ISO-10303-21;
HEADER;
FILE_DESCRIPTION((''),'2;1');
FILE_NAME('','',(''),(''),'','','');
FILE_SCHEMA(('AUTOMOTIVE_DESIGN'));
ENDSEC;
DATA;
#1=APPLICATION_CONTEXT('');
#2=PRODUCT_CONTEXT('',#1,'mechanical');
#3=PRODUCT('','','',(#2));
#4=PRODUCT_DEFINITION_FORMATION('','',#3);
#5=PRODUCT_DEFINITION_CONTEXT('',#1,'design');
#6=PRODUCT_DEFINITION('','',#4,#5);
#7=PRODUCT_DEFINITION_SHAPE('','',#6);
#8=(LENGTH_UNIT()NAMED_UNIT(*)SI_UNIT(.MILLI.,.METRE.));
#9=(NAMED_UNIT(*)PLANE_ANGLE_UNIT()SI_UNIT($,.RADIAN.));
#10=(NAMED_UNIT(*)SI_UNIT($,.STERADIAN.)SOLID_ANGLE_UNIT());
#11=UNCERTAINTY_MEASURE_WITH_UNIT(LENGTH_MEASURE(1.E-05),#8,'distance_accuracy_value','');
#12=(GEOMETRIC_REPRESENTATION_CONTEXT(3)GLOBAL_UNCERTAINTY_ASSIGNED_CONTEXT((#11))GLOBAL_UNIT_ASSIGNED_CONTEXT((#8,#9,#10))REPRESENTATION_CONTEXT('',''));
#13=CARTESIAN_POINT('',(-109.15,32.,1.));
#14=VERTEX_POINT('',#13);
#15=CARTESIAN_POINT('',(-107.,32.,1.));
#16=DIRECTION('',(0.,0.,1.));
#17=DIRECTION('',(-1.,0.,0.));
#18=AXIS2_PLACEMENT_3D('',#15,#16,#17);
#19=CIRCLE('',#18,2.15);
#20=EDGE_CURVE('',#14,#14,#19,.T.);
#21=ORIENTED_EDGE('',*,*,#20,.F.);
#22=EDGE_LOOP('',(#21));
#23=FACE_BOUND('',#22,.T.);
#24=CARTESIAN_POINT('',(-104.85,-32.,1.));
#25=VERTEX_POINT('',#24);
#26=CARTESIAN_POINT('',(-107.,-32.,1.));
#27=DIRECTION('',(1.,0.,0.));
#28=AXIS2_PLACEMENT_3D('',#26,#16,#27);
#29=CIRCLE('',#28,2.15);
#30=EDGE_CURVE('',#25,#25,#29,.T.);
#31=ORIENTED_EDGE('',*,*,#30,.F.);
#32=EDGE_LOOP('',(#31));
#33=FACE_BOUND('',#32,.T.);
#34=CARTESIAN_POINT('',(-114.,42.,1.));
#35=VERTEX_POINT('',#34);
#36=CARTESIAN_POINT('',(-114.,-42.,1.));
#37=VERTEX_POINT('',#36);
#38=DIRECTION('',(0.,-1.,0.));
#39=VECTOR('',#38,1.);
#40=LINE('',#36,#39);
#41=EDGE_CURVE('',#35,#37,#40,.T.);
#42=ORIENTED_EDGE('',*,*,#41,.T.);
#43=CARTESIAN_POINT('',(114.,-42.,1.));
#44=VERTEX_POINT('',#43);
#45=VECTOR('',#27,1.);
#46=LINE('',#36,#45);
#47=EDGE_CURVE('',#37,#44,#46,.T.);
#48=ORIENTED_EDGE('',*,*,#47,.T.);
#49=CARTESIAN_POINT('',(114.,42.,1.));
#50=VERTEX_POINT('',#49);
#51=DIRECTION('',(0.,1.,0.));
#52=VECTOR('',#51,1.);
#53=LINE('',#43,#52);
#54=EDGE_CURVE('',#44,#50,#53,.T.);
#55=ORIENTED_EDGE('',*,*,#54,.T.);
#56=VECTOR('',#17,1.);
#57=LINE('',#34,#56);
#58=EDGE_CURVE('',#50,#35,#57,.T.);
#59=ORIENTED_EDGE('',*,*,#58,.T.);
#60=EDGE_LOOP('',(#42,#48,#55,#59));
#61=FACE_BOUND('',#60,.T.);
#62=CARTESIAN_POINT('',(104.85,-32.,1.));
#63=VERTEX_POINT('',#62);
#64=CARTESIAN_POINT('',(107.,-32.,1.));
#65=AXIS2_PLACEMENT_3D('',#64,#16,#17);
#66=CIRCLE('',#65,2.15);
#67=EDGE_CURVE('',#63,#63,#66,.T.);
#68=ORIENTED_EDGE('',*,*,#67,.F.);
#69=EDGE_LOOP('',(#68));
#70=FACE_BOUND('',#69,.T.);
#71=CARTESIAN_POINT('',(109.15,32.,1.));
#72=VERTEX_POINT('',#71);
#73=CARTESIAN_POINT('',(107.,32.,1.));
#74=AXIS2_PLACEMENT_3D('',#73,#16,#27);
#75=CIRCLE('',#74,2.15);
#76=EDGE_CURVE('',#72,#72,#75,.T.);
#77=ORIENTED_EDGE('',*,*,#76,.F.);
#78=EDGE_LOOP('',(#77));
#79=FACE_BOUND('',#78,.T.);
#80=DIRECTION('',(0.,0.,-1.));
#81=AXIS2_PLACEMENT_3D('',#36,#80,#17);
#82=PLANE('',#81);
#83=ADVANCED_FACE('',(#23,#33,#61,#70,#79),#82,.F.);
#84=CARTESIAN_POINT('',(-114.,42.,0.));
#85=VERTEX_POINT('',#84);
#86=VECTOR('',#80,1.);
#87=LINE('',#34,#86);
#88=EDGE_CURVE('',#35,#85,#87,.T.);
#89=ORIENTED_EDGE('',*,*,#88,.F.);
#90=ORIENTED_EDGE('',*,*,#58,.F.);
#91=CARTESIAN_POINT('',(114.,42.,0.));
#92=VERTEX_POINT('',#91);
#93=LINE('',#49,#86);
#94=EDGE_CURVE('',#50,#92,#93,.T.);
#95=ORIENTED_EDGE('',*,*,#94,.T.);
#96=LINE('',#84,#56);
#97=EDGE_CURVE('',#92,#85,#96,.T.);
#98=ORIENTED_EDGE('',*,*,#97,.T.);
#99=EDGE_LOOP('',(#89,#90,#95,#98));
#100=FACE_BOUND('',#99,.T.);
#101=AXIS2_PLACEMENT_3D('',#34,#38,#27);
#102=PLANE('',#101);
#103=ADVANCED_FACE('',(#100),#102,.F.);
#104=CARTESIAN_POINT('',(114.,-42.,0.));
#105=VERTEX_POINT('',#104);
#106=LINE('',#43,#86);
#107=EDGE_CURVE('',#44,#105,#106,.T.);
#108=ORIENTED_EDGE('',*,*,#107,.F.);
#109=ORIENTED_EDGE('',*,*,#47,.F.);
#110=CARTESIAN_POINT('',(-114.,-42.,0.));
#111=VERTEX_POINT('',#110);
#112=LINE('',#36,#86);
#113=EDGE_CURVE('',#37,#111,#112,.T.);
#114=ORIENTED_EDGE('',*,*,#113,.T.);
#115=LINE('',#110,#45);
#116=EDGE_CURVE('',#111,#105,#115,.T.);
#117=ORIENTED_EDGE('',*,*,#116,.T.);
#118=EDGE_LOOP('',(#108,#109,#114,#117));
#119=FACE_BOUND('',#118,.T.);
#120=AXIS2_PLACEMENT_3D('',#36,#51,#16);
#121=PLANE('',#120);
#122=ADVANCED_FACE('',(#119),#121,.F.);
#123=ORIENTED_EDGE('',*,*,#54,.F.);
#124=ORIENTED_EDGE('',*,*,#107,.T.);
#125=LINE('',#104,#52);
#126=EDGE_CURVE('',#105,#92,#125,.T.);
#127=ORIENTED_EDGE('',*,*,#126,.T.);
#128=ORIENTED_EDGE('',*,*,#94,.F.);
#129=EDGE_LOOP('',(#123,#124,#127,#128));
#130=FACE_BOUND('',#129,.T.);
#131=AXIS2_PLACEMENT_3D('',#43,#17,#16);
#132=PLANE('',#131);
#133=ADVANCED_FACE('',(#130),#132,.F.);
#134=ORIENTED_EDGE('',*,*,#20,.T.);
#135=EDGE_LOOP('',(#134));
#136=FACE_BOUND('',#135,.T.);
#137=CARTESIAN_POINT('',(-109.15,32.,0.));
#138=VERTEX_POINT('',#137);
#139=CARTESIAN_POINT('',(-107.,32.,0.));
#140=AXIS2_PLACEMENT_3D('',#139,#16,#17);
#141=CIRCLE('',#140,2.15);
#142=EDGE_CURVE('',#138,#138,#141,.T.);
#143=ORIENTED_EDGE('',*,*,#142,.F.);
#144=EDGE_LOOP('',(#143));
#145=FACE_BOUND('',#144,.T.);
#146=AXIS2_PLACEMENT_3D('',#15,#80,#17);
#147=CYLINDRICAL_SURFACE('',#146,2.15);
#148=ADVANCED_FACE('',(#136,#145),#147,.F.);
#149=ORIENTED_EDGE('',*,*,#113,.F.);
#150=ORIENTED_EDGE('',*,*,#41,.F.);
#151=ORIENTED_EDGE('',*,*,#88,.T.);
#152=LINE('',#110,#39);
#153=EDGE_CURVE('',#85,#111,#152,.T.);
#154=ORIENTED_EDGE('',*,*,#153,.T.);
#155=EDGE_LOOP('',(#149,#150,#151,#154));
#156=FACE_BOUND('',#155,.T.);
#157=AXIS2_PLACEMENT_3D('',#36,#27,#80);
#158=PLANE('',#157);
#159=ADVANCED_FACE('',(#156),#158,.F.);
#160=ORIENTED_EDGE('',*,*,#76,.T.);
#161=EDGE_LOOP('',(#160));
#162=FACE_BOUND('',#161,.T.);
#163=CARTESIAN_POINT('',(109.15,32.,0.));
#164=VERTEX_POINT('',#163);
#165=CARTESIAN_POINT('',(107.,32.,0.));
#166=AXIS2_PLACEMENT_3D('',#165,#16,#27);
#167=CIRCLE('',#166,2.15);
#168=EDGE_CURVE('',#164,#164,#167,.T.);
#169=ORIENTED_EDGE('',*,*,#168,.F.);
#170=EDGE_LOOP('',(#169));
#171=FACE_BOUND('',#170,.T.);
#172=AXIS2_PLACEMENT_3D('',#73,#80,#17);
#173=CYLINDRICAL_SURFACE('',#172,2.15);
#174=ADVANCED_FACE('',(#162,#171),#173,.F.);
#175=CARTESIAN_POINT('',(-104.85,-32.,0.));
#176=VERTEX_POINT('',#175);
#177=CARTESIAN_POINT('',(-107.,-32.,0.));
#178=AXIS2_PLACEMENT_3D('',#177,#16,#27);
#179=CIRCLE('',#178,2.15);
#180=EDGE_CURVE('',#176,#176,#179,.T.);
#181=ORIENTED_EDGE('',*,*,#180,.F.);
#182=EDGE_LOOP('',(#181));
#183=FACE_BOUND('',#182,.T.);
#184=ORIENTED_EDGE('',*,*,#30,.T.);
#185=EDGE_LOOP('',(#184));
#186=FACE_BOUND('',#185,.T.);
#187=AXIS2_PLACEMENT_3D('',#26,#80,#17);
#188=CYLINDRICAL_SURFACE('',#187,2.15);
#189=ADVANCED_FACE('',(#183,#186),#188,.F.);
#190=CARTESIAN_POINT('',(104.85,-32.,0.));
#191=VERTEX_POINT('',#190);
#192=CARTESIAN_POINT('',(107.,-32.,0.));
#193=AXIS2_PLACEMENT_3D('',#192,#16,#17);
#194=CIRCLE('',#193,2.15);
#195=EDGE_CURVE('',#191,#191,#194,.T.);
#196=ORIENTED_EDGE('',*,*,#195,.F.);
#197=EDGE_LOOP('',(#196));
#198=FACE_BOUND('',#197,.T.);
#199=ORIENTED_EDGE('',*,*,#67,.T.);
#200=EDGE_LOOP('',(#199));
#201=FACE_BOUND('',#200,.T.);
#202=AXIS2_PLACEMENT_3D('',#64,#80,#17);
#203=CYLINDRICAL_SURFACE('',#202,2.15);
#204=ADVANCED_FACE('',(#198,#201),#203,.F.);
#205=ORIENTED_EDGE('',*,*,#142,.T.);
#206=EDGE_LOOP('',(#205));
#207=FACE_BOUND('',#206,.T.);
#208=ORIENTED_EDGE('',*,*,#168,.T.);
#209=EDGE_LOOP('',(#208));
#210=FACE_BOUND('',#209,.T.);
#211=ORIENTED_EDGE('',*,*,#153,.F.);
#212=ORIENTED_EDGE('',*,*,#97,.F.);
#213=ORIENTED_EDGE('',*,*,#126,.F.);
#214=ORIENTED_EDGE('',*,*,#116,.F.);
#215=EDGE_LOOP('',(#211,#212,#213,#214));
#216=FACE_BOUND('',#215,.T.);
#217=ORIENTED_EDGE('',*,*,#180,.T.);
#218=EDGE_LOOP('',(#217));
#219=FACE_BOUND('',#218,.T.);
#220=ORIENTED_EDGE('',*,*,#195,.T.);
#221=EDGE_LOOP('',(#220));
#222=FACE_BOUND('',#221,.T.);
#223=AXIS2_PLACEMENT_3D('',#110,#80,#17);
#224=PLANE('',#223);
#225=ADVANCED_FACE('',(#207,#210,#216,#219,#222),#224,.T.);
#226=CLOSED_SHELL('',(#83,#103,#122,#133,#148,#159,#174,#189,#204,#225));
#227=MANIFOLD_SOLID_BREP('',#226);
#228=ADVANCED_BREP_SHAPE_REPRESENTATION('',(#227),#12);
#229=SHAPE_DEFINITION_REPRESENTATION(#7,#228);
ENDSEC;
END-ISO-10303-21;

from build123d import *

# Parameters (mm, degrees)
SKETCH_1_W      = 228
SKETCH_1_H      = 84
SKETCH_1_R      = 2.15
EXTRUDE_1_DEPTH = 1


with BuildPart() as part:
    # Эскиз1 → Вытянуть1 (new body)
    with BuildSketch(Plane.XY):
        Rectangle(SKETCH_1_W, SKETCH_1_H)
        with Locations((107, 32)):
            Circle(SKETCH_1_R, mode=Mode.SUBTRACT)
        with Locations(Location((-107, 32, 0), (0, 0, 180))):
            Circle(SKETCH_1_R, mode=Mode.SUBTRACT)
        with Locations((-107, -32)):
            Circle(SKETCH_1_R, mode=Mode.SUBTRACT)
        with Locations(Location((107, -32, 0), (0, 0, 180))):
            Circle(SKETCH_1_R, mode=Mode.SUBTRACT)
    extrude(amount=EXTRUDE_1_DEPTH)


solid = part.part
